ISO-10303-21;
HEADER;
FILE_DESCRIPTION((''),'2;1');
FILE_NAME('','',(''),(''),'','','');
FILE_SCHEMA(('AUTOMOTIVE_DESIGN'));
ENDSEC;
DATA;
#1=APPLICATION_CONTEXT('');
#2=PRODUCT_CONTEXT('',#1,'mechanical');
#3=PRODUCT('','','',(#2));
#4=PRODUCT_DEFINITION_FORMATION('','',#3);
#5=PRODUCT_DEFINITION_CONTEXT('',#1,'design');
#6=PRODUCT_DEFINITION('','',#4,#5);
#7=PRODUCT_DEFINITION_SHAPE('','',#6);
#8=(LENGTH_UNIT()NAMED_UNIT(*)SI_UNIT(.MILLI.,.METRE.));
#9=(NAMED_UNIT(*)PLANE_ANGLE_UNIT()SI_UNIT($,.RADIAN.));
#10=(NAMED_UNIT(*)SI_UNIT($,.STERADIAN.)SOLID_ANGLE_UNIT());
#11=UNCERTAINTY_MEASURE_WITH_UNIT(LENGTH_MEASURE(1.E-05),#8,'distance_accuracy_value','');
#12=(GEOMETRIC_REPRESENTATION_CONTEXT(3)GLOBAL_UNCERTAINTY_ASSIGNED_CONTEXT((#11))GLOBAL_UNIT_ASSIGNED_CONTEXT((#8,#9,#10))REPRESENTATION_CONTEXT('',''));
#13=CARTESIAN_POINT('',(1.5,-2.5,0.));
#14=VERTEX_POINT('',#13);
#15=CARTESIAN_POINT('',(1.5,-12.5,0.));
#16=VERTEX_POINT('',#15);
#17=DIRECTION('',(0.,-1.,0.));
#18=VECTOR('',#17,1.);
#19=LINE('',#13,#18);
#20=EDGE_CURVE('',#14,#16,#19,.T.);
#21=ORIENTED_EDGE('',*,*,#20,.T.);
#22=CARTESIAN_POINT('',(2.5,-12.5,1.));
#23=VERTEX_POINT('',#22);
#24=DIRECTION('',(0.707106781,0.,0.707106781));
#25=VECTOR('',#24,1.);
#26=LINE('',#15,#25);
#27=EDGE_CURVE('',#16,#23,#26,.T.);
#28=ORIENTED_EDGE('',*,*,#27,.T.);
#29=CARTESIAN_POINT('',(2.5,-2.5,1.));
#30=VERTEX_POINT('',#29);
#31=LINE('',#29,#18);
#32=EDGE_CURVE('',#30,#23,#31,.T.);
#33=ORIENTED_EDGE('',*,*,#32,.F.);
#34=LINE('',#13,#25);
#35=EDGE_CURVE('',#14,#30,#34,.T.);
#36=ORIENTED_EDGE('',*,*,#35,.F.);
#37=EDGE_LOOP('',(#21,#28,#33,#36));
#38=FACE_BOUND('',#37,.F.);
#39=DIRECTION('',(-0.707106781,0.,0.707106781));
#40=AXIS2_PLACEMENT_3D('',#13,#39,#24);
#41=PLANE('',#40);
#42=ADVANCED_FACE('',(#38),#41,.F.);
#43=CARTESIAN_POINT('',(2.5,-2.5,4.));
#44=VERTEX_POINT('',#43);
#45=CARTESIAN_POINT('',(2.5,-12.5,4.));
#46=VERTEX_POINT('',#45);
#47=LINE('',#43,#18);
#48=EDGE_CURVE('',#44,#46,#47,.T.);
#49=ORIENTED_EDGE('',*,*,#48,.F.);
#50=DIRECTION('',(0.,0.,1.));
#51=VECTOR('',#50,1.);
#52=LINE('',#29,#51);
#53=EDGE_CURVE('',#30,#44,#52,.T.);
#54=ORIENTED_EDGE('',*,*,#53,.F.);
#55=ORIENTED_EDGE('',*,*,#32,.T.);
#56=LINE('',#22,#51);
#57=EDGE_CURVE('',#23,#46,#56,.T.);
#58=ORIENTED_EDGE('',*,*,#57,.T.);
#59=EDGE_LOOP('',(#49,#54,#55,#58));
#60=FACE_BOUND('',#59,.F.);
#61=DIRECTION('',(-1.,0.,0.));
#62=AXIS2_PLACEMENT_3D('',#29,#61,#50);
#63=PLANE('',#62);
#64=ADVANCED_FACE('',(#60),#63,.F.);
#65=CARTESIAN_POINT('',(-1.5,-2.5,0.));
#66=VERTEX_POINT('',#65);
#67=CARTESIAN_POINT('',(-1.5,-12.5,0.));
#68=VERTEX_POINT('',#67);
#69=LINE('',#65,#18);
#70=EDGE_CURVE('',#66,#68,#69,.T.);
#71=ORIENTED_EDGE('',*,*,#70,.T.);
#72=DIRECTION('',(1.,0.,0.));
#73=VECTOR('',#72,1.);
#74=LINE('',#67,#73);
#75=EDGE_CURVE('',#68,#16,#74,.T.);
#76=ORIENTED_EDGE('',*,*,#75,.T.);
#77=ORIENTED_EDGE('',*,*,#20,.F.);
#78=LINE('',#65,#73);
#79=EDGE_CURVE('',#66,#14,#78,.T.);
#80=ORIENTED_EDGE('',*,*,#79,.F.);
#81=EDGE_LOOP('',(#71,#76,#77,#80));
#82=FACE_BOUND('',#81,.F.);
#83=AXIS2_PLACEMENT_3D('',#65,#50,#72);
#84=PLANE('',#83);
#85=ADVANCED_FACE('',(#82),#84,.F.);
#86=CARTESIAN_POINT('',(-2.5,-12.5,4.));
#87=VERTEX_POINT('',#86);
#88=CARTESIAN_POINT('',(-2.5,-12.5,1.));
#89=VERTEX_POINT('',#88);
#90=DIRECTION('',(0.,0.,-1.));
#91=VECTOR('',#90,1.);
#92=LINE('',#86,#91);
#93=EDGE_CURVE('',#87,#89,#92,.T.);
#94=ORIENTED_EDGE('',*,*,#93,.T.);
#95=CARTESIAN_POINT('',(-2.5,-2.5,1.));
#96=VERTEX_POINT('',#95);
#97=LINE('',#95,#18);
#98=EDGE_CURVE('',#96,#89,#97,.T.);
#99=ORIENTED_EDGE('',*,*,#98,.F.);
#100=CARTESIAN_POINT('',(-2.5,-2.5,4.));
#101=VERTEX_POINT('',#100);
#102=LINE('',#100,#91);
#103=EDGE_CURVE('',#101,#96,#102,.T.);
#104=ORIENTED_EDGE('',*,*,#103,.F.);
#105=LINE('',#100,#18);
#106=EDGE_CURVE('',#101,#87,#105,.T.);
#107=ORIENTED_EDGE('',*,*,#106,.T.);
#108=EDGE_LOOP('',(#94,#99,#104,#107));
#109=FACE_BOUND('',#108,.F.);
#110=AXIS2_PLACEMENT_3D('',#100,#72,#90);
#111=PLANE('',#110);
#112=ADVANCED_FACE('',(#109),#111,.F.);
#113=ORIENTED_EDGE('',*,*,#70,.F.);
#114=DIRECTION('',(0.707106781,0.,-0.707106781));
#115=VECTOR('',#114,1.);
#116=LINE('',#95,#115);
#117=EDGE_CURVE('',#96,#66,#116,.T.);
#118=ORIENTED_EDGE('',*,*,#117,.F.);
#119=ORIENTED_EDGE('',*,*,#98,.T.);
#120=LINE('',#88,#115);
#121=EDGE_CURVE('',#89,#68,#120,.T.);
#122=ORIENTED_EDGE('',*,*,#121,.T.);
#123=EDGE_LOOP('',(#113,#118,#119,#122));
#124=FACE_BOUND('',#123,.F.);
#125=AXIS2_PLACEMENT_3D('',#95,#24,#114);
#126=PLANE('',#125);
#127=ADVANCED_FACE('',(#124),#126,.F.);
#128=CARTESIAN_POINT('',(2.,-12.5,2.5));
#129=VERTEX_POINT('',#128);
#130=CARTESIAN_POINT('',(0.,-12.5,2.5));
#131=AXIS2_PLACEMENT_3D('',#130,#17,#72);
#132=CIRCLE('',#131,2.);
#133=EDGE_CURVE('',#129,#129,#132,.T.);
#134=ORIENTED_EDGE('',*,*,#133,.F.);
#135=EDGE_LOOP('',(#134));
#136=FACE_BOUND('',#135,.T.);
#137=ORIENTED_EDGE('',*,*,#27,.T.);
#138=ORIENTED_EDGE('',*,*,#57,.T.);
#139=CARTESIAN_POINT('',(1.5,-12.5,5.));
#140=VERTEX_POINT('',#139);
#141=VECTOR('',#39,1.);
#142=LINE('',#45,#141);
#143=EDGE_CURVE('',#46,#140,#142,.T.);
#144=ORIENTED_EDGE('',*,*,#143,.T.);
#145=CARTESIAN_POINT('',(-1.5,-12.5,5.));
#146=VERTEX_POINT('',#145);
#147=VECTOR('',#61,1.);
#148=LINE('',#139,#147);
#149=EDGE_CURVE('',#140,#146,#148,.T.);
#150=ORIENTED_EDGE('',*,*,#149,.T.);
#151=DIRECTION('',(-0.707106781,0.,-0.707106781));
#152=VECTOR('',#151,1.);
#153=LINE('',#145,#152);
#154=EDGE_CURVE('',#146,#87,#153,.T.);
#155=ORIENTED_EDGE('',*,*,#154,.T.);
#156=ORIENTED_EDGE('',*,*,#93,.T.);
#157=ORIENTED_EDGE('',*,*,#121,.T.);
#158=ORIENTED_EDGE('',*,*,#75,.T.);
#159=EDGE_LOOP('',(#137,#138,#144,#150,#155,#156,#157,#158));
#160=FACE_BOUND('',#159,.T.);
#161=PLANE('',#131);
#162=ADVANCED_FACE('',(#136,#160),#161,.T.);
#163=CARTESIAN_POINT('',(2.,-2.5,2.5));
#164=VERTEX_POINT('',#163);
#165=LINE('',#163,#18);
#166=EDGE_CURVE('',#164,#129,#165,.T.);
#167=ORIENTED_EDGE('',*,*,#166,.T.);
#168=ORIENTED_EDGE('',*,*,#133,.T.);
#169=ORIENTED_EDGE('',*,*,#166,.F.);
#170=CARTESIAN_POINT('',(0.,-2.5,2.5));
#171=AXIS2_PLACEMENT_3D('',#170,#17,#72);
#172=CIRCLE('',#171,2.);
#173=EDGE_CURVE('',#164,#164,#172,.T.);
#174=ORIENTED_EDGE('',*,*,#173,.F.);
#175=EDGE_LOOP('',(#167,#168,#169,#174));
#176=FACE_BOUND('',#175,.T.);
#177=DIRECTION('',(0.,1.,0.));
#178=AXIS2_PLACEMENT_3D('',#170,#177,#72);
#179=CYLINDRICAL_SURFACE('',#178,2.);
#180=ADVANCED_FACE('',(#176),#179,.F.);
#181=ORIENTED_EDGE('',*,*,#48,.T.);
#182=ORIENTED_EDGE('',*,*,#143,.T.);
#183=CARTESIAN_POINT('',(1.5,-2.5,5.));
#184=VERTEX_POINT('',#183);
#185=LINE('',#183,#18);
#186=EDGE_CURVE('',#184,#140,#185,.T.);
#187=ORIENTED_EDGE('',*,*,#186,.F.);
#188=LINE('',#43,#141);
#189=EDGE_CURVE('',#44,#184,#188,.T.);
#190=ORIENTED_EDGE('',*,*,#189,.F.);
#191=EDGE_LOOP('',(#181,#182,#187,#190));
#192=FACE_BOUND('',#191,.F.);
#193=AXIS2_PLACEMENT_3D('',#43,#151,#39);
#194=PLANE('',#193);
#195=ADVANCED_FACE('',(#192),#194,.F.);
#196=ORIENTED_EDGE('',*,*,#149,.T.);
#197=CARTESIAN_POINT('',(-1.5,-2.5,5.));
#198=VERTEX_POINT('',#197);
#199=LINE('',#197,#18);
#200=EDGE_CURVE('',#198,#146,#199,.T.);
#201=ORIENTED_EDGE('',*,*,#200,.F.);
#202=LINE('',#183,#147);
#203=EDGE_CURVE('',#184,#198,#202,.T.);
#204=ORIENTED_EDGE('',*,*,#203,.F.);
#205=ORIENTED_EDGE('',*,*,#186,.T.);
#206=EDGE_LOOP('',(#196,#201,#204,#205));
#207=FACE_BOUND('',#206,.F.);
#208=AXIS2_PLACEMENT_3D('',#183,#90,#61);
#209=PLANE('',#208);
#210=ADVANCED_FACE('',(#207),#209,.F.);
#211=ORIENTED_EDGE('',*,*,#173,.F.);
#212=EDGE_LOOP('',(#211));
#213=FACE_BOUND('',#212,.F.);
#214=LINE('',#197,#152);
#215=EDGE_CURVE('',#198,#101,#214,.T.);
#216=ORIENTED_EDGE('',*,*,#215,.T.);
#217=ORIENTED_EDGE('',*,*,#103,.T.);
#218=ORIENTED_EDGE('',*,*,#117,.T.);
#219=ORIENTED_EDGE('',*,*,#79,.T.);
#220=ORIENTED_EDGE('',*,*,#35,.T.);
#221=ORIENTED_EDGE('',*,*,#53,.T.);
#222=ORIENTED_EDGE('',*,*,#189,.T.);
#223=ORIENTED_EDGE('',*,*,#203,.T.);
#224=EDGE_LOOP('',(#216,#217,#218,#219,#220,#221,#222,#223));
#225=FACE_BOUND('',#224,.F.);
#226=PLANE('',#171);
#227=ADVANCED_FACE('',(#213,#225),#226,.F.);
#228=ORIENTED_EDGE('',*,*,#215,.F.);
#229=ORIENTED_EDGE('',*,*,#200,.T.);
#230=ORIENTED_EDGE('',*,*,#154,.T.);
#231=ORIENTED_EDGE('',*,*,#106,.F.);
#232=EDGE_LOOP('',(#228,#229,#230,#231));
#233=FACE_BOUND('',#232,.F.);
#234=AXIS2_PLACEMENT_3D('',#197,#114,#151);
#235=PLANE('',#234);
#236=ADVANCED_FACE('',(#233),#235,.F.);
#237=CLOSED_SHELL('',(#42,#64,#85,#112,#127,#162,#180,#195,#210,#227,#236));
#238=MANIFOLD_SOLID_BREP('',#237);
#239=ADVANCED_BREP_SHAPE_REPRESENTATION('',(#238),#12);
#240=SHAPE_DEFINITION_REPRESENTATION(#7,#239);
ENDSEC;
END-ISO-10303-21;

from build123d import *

# Parameters (mm, degrees)
F0_R     = 2
F1_DEPTH = 10
F2_ANGLE = 90


with BuildPart() as f1:
    # F0 (on Top) → F1 (new body)
    with BuildSketch(Plane.XY):
        Polygon((1.5, 2.5), (-1.5, 2.5), (-2.5, 1.5), (-2.5, -1.5), (-1.5, -2.5), (1.5, -2.5), (2.5, -1.5), (2.5, 1.5), align=None)
        Circle(F0_R, mode=Mode.SUBTRACT)
    extrude(amount=F1_DEPTH)


with BuildPart() as f1_1:
    # F2: moved
    add(f1.part.rotate(Axis((0, -2.5, 0), (1, 0, 0)), F2_ANGLE))


solid = f1_1.part
